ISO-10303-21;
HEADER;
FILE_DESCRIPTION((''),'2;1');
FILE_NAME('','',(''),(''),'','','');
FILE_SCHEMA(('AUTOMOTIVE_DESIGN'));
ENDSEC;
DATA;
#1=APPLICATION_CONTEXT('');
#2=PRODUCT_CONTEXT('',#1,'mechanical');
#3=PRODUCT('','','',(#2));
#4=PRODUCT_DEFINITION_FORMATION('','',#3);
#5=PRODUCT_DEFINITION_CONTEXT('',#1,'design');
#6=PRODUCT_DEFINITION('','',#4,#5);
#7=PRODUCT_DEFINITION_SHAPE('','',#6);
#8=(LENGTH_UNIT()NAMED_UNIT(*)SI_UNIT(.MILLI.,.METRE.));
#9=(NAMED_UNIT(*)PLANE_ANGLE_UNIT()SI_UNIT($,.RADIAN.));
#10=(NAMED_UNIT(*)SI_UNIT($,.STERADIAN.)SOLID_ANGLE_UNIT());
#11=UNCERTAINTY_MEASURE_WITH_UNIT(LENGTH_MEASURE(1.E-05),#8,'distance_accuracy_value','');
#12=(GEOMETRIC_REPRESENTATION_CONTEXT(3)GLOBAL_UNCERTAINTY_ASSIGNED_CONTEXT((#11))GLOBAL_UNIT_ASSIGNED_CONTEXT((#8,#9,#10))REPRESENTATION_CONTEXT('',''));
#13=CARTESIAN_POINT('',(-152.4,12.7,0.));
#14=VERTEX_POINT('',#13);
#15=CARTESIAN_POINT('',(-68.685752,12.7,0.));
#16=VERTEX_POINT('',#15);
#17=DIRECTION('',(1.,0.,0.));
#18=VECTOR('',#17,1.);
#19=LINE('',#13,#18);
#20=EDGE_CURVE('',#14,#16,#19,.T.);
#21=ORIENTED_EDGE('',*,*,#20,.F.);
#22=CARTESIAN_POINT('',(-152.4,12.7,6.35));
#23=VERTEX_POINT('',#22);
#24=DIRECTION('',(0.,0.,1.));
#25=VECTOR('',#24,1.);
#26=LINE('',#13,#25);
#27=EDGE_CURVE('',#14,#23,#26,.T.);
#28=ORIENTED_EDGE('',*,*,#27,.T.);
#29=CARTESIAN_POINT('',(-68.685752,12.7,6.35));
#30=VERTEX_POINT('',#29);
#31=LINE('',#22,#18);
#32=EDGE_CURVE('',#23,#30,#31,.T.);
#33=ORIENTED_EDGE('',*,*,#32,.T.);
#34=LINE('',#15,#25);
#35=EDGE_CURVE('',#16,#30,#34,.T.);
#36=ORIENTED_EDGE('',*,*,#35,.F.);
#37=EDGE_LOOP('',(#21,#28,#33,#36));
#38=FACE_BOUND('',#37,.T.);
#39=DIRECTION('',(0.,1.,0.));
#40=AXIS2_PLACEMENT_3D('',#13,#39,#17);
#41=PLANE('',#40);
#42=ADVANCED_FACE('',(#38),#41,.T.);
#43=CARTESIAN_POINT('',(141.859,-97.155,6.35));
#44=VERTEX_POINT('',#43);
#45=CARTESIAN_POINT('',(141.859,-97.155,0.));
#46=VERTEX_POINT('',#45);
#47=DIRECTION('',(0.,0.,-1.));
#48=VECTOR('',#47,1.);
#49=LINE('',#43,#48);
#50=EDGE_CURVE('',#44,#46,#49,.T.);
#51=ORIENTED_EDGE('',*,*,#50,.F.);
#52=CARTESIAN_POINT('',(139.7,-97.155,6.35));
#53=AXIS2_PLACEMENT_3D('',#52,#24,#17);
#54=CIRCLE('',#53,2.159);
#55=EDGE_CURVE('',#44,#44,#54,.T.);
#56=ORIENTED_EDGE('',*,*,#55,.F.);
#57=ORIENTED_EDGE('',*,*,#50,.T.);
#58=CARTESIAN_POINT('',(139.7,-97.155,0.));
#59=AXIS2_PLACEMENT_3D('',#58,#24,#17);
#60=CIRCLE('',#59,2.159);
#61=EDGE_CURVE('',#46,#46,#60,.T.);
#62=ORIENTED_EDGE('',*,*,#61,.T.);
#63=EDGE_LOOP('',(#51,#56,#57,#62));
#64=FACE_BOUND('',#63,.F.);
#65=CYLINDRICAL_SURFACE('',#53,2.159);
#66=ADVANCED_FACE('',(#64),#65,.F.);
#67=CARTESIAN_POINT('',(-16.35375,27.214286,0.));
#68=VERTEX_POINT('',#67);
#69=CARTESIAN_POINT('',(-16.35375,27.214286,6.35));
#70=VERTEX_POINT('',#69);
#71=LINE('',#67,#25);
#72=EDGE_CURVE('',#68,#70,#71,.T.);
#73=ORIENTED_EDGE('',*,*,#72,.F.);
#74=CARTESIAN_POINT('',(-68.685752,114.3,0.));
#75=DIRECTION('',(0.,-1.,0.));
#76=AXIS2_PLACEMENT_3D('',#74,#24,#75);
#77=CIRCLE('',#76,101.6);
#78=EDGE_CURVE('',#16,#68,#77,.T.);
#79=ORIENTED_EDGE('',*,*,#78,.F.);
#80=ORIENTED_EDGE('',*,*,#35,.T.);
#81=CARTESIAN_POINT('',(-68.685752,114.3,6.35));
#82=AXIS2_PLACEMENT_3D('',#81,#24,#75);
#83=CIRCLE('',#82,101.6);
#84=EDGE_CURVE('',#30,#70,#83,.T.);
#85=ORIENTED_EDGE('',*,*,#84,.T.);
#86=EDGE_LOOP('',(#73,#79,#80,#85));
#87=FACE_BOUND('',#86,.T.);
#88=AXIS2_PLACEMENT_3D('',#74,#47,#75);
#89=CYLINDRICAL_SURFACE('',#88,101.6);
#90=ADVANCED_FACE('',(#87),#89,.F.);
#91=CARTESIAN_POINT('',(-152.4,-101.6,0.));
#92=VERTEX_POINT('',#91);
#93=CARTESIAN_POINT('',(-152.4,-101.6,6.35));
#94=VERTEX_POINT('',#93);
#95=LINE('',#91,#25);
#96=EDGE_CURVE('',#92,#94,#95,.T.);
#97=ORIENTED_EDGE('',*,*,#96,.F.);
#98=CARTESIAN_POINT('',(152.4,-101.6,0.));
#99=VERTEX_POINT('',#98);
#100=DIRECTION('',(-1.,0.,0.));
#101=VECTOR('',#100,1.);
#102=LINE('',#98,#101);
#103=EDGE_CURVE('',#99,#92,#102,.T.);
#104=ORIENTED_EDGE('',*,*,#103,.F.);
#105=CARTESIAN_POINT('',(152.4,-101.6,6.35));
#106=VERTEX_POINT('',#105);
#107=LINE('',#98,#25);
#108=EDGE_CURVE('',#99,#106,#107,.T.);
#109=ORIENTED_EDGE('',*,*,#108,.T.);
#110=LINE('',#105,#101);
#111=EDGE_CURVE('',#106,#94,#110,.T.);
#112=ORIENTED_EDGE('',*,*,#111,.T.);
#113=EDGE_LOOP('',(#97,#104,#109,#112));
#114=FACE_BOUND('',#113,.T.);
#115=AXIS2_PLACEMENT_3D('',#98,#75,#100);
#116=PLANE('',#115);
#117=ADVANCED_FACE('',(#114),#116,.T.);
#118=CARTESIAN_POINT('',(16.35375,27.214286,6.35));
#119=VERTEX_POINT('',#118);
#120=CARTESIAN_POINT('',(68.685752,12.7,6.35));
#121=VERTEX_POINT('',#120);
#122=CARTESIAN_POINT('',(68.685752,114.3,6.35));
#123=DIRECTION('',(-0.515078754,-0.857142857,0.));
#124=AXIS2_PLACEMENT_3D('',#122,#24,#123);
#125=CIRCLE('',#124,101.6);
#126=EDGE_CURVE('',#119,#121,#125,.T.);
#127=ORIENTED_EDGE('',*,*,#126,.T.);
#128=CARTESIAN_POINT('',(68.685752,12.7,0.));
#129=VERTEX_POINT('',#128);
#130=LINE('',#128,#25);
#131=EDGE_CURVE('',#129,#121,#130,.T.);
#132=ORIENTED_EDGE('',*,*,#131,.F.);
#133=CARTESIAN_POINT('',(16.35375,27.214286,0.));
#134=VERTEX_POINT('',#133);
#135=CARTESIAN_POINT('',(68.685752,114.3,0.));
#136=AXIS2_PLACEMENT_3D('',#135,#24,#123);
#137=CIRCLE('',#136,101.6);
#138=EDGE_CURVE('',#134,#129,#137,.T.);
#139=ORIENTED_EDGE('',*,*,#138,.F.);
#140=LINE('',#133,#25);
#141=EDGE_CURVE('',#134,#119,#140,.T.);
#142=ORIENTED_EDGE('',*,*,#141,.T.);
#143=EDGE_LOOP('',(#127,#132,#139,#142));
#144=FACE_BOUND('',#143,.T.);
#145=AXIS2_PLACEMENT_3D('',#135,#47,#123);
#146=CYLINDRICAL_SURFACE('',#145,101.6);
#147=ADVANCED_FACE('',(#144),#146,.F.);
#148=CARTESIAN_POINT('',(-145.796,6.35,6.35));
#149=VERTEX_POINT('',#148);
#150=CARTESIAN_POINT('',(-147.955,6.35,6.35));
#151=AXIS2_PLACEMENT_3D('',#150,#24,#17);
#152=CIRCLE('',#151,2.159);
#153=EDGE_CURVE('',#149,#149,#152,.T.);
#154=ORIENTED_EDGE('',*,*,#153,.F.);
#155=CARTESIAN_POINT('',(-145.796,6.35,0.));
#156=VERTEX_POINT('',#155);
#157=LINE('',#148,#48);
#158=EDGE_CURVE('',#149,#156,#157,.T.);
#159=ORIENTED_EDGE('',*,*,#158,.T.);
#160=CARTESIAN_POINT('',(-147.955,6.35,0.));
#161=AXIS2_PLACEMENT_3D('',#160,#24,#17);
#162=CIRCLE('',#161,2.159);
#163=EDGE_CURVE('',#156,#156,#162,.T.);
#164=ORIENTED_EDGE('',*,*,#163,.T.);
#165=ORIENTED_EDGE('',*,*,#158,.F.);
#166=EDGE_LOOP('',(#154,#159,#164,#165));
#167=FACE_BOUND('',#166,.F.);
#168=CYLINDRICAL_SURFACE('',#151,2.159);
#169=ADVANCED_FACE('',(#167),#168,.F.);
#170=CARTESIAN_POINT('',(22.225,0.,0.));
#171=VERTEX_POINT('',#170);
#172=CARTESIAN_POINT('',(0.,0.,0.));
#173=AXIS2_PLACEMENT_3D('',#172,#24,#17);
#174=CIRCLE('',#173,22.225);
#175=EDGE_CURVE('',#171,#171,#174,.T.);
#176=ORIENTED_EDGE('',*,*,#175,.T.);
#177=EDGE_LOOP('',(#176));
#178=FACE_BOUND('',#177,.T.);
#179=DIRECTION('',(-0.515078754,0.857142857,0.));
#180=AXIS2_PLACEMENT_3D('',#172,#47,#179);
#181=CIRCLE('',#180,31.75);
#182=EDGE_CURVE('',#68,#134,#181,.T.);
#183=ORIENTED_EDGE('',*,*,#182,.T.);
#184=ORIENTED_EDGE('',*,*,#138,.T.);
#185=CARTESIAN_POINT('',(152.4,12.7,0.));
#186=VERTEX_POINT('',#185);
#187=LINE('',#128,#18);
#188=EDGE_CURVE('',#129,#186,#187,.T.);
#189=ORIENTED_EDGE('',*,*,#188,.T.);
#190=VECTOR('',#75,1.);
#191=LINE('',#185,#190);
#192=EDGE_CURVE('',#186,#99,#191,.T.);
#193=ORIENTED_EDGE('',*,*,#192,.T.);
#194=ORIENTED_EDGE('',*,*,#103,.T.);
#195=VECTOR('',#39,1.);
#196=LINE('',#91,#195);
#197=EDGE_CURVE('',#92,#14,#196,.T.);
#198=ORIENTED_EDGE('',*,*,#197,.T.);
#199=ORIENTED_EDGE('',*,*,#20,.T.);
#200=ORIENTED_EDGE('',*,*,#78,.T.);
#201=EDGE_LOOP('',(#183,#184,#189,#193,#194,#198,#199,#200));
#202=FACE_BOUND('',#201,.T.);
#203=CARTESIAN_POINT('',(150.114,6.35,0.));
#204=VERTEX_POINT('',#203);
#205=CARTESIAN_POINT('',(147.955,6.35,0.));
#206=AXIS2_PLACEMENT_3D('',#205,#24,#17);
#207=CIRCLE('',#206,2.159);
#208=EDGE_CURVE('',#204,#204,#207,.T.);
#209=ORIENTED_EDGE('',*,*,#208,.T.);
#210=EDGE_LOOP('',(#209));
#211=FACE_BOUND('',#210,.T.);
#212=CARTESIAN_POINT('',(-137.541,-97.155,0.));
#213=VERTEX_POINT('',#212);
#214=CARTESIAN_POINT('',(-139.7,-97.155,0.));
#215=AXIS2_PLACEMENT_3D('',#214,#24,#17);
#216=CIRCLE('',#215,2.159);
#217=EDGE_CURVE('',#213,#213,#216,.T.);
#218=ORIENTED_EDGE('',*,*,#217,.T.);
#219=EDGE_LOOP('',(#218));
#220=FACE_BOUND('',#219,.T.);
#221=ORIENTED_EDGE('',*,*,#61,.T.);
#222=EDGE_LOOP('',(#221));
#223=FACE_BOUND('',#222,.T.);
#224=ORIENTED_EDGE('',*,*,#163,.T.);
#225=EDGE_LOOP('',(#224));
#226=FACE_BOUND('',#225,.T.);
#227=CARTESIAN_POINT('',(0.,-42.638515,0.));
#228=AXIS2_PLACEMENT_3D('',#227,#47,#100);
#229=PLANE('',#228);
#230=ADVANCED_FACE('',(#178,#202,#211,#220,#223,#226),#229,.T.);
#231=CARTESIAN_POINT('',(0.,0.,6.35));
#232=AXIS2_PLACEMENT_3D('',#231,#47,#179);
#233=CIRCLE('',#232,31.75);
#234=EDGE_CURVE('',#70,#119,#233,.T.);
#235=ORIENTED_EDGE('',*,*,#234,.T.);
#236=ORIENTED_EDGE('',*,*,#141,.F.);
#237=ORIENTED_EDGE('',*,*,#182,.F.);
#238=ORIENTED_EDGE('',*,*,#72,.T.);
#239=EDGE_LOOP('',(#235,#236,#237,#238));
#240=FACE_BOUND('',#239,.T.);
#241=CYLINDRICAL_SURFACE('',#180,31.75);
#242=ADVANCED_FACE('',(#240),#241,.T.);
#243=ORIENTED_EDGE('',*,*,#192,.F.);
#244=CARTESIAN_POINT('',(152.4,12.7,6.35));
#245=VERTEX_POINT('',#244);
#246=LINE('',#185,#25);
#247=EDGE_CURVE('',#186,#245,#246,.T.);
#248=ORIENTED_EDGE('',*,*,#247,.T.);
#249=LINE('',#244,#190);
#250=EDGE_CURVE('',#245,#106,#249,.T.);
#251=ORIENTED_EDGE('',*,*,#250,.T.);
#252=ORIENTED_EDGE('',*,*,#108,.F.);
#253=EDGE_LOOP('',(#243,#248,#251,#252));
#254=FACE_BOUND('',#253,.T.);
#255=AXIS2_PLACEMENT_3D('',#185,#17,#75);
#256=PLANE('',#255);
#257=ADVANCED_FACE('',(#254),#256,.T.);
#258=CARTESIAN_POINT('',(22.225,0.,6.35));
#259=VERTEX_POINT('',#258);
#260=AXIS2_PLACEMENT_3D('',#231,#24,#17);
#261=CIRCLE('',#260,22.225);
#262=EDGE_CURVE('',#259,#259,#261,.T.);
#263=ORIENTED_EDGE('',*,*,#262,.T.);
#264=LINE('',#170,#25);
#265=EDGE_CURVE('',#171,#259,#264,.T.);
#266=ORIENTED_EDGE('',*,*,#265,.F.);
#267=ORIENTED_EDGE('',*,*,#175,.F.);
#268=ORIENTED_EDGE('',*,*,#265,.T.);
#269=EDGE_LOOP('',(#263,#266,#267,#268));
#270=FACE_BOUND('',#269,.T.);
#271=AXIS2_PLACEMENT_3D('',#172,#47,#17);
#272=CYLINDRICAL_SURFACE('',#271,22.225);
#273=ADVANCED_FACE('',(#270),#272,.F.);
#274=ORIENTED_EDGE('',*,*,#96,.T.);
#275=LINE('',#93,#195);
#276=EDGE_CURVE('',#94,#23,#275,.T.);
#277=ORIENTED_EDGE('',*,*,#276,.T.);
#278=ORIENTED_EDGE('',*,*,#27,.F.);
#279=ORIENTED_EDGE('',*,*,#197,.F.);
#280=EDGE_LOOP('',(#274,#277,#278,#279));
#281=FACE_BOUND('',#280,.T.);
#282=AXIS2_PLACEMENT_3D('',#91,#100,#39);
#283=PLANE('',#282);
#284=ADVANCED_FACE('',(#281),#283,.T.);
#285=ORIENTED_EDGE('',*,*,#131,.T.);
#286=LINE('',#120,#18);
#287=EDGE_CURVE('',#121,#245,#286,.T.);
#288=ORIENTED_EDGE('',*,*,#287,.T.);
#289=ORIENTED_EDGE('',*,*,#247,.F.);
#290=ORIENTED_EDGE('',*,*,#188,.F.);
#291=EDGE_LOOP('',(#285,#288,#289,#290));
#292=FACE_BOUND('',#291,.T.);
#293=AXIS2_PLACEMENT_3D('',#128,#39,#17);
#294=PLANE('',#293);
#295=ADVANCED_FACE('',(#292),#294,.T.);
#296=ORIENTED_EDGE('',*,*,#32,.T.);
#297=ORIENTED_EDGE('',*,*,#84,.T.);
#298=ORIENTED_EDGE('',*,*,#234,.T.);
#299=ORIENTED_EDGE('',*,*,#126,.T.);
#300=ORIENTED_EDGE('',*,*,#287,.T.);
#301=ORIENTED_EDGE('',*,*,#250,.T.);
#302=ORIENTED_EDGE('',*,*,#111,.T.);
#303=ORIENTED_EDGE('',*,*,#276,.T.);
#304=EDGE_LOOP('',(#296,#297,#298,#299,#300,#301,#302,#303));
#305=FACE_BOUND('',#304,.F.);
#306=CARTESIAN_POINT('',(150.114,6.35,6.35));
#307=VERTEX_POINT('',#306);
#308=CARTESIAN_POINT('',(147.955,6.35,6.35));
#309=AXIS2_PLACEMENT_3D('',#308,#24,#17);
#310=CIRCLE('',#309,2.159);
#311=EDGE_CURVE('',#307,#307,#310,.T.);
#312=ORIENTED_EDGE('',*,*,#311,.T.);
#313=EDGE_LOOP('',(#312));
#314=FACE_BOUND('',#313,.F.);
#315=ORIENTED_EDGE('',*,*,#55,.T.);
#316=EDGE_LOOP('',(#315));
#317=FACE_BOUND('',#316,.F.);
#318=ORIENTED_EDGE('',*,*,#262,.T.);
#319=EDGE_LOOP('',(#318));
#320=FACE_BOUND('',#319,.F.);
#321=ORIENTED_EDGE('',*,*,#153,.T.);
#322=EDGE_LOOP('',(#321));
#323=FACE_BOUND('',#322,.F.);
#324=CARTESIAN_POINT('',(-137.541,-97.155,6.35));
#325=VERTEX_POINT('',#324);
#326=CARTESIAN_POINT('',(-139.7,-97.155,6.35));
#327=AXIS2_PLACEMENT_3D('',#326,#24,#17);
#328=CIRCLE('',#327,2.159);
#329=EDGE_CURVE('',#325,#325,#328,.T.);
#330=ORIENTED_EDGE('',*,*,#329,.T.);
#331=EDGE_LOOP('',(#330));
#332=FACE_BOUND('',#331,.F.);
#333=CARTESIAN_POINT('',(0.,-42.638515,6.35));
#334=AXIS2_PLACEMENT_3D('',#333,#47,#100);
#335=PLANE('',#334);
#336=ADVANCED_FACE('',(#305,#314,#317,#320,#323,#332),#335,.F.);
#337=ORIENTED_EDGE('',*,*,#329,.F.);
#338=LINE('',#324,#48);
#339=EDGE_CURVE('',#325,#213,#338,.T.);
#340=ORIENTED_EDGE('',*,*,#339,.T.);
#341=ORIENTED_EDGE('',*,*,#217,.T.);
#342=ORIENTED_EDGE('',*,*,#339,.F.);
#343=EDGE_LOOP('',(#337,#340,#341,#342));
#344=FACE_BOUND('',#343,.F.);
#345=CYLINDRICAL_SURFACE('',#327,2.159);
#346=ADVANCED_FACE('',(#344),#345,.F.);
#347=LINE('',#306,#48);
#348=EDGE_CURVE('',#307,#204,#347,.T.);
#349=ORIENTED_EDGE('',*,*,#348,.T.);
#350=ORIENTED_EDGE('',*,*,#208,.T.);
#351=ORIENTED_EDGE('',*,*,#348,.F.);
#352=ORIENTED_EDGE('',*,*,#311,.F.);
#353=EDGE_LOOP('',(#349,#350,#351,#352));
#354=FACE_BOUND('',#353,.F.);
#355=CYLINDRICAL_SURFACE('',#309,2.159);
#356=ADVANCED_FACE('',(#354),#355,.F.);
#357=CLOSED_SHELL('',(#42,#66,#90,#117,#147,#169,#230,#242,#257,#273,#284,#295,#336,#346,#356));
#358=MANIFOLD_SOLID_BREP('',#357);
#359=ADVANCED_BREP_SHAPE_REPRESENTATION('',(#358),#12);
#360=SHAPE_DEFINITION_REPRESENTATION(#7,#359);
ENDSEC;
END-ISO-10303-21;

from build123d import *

# Parameters (mm, degrees)
SKETCH1_R           = 22.225
BOSS_EXTRUDE1_DEPTH = 6.35
SKETCH2_R           = 2.159
CUT_EXTRUDE1_DEPTH  = 7.35


with BuildPart() as part:
    # Sketch1 → Boss-Extrude1 (new body)
    with BuildSketch(Plane.XY):
        with BuildLine():
            Line((-152.4, 12.7), (-68.685751798, 12.7))
            ThreePointArc((-68.685751798, 12.7), (-41.532009619, 16.395790255), (-16.353750428, 27.214285714))
            ThreePointArc((-16.353750428, 27.214285714), (0, 31.75), (16.353750428, 27.214285714))
            ThreePointArc((16.353750428, 27.214285714), (41.532009619, 16.395790255), (68.685751798, 12.7))
            Line((68.685751798, 12.7), (152.4, 12.7))
            Line((152.4, 12.7), (152.4, -101.6))
            Line((152.4, -101.6), (-152.4, -101.6))
            Line((-152.4, -101.6), (-152.4, 12.7))
        make_face()
        Circle(SKETCH1_R, mode=Mode.SUBTRACT)
    extrude(amount=BOSS_EXTRUDE1_DEPTH)

    # Sketch2 → Cut-Extrude1 (cut, through all)
    with BuildSketch(Plane.XY.offset(6.35)):
        with Locations((-139.7, -97.155)):
            Circle(SKETCH2_R)
        with Locations((-147.955, 6.35)):
            Circle(SKETCH2_R)
        with Locations((147.955, 6.35)):
            Circle(SKETCH2_R)
        with Locations((139.7, -97.155)):
            Circle(SKETCH2_R)
    extrude(amount=-CUT_EXTRUDE1_DEPTH, mode=Mode.SUBTRACT)


solid = part.part
